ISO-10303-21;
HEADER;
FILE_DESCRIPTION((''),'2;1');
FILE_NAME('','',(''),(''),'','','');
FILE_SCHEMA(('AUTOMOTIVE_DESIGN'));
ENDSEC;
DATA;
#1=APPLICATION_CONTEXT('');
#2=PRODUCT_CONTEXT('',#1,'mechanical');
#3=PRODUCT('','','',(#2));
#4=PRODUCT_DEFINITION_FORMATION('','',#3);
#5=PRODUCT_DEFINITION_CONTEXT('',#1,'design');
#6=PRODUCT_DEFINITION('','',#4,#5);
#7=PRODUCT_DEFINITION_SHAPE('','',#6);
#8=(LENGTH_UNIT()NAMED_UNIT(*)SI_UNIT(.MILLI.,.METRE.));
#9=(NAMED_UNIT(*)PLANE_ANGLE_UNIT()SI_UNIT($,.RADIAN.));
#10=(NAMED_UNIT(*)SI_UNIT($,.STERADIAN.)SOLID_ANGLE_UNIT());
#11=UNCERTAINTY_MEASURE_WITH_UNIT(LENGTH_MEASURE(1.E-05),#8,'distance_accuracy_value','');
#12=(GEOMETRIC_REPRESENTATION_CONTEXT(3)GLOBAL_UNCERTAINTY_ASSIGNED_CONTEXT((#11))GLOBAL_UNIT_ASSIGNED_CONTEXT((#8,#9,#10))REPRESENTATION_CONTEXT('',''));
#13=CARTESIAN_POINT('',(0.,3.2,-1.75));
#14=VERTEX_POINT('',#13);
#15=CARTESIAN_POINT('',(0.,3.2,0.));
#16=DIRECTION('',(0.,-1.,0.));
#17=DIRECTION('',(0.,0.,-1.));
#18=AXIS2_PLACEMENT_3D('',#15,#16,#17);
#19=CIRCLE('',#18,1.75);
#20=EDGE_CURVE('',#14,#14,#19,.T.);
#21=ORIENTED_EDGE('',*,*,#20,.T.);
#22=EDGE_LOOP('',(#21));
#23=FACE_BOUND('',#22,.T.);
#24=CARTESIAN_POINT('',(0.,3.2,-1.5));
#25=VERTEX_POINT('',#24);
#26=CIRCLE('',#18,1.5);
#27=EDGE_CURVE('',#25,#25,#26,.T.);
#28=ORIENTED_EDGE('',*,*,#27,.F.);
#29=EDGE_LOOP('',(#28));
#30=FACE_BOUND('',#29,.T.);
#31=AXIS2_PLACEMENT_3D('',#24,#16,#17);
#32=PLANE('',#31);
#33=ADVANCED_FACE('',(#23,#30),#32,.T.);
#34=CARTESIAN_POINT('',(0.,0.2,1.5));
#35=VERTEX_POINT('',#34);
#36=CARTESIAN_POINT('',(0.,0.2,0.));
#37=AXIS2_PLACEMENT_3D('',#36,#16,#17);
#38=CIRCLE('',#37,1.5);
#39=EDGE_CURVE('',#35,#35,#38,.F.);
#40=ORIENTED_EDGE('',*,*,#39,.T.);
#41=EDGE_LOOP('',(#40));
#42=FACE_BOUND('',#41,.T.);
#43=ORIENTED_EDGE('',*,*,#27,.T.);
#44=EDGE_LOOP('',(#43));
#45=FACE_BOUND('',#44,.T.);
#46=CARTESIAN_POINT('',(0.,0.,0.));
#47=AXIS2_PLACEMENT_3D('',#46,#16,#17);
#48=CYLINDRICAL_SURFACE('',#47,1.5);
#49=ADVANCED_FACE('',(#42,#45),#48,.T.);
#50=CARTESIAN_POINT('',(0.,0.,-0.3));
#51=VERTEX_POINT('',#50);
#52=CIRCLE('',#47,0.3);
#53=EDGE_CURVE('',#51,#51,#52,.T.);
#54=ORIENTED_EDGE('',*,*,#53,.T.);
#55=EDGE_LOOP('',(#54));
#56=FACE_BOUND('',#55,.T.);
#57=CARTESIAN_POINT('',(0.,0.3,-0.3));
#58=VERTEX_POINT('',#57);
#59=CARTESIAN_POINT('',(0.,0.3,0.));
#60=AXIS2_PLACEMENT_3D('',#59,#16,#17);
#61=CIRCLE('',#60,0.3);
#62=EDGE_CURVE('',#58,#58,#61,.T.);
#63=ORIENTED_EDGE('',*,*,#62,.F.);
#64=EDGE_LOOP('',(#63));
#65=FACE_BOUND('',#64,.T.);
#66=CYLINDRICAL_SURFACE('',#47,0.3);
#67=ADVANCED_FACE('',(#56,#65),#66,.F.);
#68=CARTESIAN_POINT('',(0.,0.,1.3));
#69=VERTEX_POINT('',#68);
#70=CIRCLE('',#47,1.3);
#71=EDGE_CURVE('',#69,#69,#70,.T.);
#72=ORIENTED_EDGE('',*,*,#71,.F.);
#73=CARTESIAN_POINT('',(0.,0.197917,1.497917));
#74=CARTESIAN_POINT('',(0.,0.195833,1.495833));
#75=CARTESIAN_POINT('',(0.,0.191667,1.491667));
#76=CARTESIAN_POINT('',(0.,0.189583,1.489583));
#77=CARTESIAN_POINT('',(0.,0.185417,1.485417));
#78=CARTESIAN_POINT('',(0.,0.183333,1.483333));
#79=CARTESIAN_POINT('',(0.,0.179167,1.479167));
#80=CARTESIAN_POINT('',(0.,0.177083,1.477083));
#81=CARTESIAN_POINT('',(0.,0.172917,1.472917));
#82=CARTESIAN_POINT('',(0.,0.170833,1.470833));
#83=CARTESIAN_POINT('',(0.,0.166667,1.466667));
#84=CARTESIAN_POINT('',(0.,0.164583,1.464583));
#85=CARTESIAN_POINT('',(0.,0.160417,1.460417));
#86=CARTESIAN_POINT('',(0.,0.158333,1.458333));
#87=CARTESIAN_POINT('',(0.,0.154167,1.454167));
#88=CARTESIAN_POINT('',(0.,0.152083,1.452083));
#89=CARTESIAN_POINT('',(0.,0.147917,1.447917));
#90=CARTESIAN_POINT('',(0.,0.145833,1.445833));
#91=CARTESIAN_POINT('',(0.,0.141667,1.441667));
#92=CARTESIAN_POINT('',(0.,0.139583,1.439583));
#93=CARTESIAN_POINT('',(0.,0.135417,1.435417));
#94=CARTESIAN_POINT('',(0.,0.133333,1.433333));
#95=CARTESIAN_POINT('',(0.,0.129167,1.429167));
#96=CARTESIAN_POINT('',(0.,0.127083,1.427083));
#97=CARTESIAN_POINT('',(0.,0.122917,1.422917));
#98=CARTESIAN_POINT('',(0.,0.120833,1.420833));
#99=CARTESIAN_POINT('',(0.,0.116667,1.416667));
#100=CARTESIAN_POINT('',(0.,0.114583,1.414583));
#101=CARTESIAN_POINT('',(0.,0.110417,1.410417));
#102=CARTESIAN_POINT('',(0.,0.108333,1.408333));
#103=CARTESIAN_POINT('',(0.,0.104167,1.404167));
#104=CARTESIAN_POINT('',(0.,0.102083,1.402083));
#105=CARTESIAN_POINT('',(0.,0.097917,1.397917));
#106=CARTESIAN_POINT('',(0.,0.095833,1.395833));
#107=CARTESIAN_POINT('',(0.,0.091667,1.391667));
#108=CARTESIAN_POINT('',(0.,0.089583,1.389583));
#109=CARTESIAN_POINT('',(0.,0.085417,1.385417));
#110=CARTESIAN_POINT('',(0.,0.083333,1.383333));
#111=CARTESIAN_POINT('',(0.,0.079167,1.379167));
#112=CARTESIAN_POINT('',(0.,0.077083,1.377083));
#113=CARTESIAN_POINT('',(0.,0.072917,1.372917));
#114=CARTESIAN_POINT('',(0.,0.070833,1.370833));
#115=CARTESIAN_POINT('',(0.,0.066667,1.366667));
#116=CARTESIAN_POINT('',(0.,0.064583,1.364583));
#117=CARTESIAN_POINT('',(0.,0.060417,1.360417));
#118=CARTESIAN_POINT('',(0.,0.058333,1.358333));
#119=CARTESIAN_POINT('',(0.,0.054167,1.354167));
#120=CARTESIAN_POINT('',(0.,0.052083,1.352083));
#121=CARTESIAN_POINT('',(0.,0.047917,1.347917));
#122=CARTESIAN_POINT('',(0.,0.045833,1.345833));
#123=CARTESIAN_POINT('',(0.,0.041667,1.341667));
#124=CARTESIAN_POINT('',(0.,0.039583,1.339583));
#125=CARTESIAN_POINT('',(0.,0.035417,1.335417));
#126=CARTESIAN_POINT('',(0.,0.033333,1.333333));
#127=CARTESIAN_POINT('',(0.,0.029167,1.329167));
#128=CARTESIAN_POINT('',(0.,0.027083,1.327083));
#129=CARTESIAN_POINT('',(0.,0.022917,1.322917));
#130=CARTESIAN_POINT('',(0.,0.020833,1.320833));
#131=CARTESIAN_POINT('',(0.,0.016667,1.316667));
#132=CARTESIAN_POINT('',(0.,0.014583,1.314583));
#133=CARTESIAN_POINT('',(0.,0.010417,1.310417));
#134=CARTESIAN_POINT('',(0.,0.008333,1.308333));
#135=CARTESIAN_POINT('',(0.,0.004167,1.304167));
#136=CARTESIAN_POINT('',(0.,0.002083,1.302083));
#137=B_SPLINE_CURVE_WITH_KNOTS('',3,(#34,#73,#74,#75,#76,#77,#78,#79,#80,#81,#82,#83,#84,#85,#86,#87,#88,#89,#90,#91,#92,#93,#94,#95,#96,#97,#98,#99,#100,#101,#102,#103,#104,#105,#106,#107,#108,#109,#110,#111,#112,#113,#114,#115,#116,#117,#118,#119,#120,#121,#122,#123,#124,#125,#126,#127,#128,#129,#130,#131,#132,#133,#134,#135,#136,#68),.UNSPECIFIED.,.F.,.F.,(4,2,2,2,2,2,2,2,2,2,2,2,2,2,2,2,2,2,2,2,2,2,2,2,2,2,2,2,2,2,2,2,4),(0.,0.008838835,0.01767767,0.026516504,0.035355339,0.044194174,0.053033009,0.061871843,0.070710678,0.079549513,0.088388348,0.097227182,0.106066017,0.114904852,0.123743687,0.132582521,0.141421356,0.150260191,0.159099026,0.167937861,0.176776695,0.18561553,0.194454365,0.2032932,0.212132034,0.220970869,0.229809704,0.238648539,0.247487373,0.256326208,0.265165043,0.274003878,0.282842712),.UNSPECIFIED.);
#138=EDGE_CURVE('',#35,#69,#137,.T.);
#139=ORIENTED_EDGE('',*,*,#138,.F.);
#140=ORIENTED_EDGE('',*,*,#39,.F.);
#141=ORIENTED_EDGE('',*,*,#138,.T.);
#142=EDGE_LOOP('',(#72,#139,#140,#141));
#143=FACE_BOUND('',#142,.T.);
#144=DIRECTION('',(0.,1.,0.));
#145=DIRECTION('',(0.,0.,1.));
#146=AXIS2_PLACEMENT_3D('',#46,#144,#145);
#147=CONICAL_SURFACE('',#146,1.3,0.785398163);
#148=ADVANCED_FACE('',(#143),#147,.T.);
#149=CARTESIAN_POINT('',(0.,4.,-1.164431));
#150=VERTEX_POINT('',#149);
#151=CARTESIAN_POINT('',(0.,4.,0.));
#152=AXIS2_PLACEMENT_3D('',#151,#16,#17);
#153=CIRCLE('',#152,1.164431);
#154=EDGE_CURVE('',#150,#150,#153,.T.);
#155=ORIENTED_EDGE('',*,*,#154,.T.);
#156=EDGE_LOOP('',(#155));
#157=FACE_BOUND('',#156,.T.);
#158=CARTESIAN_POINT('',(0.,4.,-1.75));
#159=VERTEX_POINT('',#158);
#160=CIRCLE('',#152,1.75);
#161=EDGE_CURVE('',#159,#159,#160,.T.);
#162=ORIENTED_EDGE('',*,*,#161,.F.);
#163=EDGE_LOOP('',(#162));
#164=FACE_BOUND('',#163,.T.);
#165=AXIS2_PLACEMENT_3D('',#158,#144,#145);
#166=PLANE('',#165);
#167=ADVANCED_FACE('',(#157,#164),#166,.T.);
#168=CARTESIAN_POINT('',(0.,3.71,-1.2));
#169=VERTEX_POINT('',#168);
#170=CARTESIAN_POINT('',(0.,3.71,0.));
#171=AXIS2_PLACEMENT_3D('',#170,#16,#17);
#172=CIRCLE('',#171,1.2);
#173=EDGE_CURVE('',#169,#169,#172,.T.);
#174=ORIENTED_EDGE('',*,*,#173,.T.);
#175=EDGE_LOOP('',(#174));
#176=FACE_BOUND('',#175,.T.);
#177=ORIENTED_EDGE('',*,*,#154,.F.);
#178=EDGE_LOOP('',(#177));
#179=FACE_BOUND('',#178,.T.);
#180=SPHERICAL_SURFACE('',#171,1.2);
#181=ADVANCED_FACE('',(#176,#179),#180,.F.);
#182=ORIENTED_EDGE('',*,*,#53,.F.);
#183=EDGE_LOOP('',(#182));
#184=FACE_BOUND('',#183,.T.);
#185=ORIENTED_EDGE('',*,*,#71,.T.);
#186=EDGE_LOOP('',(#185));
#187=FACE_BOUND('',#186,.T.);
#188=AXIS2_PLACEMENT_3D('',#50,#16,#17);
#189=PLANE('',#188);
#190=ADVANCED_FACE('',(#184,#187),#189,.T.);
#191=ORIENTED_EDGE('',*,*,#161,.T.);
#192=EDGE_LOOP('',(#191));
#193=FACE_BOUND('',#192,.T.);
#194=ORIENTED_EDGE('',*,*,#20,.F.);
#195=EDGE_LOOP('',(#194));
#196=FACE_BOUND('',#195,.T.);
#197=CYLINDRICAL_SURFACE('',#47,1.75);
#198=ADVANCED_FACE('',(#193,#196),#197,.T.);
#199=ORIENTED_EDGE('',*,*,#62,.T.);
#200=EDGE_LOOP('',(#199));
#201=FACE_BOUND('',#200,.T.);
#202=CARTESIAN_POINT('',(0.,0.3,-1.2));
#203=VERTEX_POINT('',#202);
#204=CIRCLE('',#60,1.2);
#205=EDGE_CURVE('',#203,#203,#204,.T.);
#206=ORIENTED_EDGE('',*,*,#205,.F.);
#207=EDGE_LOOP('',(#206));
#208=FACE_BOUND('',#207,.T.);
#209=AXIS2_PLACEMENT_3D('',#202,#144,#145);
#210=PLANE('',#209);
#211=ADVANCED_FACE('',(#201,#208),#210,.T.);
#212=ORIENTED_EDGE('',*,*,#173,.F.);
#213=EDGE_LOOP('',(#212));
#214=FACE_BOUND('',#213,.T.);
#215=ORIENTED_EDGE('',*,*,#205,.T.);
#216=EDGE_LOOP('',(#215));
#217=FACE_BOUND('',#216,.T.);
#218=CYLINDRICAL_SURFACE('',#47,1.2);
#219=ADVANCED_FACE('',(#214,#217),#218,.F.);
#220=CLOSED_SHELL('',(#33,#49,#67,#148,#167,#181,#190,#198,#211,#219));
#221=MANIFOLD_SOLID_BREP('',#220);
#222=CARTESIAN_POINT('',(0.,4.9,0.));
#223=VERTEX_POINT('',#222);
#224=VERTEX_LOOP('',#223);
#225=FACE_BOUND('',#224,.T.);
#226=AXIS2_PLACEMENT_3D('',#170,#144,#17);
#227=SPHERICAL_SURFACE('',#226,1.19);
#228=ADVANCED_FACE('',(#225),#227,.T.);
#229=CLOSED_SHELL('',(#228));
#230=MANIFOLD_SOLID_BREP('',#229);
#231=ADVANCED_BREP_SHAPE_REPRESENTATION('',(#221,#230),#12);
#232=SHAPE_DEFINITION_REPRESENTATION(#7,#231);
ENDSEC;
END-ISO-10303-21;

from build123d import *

# Parameters (mm, degrees)
CHAMFER_1_SIZE = 0.2


with BuildPart() as part:
    # 草图1 → 旋转1 (revolve)
    with BuildSketch(Plane(origin=(0, 0, 0), x_dir=(0, 0, -1), z_dir=(1, 0, 0))):
        with BuildLine():
            Line((0.3, 0), (1.5, 0))
            Line((1.5, 0), (1.5, 3.2))
            Line((1.5, 3.2), (1.75, 3.2))
            Line((1.75, 3.2), (1.75, 4))
            Line((1.75, 4), (1.164431192, 4))
            ThreePointArc((1.164431192, 4), (1.191074605, 3.856086567), (1.2, 3.71))
            Line((1.2, 3.71), (1.2, 0.3))
            Line((1.2, 0.3), (0.3, 0.3))
            Line((0.3, 0.3), (0.3, 0))
        make_face()
    revolve(axis=Axis((0, 0, 0), (0, 1, 0)))

    # 倒角1
    chamfer_1_edges = [part.edges().sort_by_distance(p)[0] for p in [
        (0, 0, 1.5),
    ]]
    chamfer(chamfer_1_edges, length=CHAMFER_1_SIZE)


with BuildPart() as body_2:
    # 草图2 → 旋转2 (revolve)
    with BuildSketch(Plane(origin=(0, 0, 0), x_dir=(0, 0, -1), z_dir=(1, 0, 0))):
        with BuildLine():
            Line((0, 4.9), (0, 2.52))
            ThreePointArc((0, 2.52), (1.19, 3.71), (0, 4.9))
        make_face()
    revolve(axis=Axis((0, 5.532857048, 0), (0, -1, 0)))


solid = Compound([part.part, body_2.part])
